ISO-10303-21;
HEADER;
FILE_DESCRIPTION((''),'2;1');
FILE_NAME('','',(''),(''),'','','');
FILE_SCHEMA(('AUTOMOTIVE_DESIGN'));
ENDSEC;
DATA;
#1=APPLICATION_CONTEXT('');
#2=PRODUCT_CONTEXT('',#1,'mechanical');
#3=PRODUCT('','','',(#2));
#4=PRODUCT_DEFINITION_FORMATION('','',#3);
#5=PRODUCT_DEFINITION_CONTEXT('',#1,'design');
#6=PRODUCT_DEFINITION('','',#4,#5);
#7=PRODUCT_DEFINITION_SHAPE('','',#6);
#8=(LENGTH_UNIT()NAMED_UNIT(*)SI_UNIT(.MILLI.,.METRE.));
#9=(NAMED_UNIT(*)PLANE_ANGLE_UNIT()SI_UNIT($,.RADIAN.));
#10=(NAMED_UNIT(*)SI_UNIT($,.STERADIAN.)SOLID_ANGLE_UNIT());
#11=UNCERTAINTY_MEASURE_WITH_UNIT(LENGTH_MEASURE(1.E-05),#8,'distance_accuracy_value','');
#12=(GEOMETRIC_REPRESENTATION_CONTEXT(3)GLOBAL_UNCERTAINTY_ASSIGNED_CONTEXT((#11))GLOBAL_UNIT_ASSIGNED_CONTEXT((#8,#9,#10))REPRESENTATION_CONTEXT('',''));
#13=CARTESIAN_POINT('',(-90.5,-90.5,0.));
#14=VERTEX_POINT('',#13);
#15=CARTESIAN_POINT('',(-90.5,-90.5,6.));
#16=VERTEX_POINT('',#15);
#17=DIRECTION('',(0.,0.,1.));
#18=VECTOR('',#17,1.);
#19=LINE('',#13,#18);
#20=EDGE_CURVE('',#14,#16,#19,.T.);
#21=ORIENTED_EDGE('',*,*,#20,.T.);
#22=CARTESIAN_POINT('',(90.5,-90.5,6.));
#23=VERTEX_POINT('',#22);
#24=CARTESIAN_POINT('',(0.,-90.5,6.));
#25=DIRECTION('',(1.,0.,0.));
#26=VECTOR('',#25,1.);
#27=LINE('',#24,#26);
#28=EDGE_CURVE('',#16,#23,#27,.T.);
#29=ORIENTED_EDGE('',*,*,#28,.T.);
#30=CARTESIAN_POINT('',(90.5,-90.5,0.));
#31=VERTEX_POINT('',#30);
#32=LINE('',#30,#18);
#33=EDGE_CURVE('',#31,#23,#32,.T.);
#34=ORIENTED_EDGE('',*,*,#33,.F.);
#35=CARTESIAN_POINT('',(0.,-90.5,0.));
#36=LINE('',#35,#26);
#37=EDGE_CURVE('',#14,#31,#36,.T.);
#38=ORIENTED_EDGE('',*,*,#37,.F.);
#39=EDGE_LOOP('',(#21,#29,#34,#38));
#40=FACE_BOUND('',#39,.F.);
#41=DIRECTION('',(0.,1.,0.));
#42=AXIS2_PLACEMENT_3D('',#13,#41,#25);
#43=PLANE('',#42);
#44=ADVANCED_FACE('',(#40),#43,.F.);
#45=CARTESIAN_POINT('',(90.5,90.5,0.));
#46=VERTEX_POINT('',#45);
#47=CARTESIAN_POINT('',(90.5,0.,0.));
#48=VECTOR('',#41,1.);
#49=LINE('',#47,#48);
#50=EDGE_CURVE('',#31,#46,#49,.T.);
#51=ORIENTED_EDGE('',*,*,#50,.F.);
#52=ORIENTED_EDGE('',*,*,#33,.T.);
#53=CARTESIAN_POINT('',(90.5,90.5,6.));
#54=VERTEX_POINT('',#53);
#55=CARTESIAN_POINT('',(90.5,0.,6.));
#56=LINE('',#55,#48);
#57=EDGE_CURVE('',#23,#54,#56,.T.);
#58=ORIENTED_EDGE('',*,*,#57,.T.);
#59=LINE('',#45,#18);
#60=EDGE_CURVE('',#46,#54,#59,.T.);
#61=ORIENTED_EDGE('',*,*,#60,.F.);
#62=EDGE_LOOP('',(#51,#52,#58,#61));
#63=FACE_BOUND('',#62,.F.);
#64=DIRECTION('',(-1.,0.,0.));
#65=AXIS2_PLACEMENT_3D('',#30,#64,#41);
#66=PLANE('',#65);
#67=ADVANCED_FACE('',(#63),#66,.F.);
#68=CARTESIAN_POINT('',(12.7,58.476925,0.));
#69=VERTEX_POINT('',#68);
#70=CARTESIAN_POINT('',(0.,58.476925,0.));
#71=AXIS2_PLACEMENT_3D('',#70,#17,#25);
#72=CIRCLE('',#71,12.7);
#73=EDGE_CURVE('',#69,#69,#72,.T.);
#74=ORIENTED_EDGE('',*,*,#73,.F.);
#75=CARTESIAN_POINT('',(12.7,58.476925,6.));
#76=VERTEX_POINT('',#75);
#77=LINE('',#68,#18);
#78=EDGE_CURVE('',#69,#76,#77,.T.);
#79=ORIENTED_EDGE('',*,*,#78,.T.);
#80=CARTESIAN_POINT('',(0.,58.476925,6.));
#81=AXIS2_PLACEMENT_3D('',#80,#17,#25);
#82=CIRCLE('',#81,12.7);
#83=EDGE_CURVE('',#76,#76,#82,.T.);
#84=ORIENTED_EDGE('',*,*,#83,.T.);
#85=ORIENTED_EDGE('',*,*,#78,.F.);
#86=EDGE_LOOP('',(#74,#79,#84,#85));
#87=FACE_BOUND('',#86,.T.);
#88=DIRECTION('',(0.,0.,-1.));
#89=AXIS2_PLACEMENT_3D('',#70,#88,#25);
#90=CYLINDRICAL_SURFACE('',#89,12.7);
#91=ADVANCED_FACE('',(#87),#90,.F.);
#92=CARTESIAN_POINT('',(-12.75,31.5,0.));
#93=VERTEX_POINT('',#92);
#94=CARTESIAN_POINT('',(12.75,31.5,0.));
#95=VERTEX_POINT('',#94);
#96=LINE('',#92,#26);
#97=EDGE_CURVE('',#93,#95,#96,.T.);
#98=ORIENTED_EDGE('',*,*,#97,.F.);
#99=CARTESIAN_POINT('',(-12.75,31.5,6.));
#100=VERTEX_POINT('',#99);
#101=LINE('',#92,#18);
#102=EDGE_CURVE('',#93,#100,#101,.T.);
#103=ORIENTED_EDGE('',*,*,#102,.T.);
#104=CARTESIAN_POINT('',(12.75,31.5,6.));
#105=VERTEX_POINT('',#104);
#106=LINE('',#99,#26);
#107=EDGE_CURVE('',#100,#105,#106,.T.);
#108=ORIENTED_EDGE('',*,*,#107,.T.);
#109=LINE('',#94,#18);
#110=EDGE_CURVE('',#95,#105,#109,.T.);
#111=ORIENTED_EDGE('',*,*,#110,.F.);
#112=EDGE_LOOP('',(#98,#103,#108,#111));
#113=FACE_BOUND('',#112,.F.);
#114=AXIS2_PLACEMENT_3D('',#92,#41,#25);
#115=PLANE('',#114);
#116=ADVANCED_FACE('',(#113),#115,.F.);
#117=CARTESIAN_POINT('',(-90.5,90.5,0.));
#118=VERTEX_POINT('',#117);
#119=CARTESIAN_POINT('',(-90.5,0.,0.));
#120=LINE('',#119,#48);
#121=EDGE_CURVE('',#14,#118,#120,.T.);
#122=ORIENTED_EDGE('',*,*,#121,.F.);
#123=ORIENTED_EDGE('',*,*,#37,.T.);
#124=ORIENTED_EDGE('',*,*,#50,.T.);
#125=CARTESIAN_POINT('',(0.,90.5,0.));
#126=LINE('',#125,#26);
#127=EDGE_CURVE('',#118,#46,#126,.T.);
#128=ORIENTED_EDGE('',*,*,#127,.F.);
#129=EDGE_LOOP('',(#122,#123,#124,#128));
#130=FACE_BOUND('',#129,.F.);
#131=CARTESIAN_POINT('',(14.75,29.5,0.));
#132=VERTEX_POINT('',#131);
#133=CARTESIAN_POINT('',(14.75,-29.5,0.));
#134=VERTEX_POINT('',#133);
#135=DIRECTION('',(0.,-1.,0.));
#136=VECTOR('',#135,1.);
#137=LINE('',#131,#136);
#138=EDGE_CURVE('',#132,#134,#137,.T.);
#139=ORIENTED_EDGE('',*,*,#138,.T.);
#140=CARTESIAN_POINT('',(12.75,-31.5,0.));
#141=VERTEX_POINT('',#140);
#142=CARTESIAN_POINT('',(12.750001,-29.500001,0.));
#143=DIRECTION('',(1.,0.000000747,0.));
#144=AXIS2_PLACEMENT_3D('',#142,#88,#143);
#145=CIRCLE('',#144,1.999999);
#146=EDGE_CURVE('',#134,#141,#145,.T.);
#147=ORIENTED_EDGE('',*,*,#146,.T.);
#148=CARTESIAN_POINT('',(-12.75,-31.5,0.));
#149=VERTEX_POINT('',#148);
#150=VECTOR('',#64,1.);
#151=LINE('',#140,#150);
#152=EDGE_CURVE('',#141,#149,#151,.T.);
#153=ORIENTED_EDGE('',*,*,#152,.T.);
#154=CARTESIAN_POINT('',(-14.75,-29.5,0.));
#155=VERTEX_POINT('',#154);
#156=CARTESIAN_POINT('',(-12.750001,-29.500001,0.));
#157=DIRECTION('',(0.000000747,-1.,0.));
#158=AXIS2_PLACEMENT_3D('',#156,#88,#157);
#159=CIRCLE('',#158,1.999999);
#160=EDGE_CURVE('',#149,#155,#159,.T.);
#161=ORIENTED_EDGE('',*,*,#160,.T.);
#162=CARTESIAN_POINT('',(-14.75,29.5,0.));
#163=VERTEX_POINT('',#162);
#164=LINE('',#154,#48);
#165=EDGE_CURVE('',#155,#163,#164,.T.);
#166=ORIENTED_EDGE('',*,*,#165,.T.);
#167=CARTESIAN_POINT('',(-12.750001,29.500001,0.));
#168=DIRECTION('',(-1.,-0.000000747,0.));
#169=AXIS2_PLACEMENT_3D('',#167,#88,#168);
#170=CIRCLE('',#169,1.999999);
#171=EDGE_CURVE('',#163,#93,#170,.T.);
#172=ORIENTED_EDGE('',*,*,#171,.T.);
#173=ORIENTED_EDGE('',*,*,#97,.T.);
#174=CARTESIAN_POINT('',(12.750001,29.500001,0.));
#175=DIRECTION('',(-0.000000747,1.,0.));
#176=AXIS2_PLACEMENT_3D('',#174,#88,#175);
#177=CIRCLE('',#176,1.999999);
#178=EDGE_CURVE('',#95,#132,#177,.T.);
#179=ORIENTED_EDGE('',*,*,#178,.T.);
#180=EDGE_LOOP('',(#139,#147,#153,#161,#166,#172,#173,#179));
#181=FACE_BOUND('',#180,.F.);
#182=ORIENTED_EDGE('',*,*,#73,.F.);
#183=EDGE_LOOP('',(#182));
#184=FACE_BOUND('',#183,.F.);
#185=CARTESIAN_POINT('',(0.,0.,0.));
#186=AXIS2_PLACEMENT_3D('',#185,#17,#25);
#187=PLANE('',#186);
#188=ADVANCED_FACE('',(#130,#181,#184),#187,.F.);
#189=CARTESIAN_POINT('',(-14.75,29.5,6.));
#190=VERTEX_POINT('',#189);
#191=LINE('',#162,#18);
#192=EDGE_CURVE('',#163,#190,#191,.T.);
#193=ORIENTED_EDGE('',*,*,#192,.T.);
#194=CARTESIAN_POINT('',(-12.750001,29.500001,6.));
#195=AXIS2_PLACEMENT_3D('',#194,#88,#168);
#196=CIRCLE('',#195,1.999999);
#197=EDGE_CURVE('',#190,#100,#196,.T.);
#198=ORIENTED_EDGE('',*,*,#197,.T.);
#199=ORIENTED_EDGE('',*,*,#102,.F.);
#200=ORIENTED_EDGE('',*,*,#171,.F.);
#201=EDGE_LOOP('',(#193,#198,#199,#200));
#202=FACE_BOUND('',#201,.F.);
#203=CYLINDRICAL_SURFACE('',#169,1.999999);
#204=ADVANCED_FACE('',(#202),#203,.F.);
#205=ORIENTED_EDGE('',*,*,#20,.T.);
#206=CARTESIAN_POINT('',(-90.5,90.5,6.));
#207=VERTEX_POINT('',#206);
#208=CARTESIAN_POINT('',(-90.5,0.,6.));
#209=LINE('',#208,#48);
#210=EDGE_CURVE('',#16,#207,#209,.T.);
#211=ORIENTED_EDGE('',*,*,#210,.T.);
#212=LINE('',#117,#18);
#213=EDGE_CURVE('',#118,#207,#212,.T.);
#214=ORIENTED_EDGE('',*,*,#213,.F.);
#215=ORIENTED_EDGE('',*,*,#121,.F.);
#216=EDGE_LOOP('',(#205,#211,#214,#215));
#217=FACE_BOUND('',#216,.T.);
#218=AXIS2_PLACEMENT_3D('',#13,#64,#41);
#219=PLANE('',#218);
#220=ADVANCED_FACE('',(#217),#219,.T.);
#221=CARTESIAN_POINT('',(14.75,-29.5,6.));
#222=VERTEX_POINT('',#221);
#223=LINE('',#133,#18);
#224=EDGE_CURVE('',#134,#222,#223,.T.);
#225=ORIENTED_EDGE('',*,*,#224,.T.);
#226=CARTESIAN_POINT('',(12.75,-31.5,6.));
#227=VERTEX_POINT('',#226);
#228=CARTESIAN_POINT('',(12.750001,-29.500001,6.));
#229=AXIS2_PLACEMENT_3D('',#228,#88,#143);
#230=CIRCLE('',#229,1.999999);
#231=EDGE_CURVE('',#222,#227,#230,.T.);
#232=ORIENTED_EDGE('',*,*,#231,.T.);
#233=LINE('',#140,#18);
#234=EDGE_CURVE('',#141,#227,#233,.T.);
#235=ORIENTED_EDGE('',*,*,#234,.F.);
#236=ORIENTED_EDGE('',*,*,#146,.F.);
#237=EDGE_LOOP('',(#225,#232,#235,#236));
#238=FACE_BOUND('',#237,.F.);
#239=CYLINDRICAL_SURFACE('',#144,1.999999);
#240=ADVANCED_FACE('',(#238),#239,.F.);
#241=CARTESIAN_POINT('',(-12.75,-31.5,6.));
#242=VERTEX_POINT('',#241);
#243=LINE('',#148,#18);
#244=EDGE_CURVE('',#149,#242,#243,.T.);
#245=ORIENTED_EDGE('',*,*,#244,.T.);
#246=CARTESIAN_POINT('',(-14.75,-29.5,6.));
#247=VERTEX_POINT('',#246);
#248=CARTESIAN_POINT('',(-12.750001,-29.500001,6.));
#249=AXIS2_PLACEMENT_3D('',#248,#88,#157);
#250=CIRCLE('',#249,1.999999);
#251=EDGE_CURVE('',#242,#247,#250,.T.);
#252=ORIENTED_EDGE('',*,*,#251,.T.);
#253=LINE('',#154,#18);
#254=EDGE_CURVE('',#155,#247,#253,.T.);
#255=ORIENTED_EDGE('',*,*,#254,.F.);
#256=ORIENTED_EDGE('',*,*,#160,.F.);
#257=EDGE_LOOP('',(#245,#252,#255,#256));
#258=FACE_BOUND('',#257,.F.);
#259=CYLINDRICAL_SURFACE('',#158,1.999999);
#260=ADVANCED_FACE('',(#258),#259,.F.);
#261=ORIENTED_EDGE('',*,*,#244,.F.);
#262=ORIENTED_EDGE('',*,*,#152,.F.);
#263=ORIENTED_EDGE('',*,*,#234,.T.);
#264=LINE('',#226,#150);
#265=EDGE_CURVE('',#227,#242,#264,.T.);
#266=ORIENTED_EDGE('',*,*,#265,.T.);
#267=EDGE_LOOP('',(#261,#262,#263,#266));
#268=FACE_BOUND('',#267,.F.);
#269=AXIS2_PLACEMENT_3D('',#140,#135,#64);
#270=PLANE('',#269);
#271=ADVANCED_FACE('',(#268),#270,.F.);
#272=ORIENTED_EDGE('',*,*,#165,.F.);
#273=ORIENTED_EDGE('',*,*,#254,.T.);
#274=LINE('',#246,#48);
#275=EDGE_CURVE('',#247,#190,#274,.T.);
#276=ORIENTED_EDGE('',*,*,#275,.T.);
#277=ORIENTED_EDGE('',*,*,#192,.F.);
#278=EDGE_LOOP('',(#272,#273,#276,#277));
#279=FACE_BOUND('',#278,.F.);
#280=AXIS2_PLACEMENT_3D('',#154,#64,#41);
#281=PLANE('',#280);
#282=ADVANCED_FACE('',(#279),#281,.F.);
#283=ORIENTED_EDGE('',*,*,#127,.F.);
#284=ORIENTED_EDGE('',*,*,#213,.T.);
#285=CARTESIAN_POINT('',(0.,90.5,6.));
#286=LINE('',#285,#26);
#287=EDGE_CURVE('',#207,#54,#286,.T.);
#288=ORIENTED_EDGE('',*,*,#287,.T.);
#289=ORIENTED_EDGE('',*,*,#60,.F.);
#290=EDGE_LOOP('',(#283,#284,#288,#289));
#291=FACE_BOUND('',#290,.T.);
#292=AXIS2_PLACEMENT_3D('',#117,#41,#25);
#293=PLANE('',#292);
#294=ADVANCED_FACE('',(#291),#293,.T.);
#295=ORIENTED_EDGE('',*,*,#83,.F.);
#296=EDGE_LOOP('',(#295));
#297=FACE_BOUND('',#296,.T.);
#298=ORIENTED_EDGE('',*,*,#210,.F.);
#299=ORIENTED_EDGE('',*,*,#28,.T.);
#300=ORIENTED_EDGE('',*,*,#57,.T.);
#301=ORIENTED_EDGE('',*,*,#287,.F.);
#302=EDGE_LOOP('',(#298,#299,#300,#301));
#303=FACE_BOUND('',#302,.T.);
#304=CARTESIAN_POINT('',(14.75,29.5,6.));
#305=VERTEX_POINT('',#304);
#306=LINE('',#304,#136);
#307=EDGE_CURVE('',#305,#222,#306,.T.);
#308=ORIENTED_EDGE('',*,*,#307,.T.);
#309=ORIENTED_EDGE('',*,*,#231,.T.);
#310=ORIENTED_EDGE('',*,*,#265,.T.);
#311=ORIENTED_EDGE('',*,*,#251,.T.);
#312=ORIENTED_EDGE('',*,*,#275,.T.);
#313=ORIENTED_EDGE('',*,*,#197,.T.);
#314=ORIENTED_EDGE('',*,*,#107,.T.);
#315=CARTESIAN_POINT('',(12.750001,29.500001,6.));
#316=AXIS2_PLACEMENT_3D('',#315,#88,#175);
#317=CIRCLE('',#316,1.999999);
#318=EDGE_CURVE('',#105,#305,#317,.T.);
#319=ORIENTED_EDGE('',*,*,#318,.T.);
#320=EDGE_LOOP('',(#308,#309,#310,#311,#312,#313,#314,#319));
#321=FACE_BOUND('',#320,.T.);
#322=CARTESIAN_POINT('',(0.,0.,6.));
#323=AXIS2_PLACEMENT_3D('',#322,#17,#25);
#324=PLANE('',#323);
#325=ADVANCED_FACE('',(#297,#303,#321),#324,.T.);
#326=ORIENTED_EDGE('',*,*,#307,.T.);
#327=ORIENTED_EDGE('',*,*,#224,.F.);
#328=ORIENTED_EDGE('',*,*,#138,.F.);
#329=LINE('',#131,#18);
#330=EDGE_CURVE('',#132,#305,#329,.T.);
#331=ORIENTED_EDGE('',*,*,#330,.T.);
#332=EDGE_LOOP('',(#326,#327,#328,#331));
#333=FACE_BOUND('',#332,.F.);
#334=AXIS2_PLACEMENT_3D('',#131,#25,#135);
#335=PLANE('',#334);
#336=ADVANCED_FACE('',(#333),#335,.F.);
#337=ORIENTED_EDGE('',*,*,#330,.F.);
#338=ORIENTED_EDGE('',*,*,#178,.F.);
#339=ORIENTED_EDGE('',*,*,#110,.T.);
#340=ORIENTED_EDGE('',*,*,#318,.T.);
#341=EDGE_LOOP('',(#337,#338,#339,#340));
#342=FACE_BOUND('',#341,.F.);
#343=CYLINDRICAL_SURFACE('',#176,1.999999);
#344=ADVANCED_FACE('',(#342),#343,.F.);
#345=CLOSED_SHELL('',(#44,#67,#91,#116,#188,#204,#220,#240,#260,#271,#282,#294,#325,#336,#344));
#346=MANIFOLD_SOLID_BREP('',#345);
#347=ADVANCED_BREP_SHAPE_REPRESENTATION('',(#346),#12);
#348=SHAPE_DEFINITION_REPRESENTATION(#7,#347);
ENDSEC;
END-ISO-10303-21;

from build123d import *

# Parameters (mm, degrees)
F0_W     = 181
F0_H     = 181
F0_R     = 12.7
F1_DEPTH = 6


with BuildPart() as f1:
    # F0 (on Top) → F1 (new body)
    with BuildSketch(Plane.XY):
        Rectangle(F0_W, F0_H)
        with BuildLine():
            Line((-12.75, 31.5), (12.75, 31.5))
            ThreePointArc((12.75, 31.5), (14.164214, 30.914214), (14.75, 29.5))
            Line((14.75, 29.5), (14.75, -29.5))
            ThreePointArc((14.75, -29.5), (14.164214, -30.914214), (12.75, -31.5))
            Line((12.75, -31.5), (-12.75, -31.5))
            ThreePointArc((-12.75, -31.5), (-14.164214, -30.914214), (-14.75, -29.5))
            Line((-14.75, -29.5), (-14.75, 29.5))
            ThreePointArc((-14.75, 29.5), (-14.164214, 30.914214), (-12.75, 31.5))
        make_face(mode=Mode.SUBTRACT)
        with Locations((0, 58.476925)):
            Circle(F0_R, mode=Mode.SUBTRACT)
    extrude(amount=F1_DEPTH)


solid = f1.part
